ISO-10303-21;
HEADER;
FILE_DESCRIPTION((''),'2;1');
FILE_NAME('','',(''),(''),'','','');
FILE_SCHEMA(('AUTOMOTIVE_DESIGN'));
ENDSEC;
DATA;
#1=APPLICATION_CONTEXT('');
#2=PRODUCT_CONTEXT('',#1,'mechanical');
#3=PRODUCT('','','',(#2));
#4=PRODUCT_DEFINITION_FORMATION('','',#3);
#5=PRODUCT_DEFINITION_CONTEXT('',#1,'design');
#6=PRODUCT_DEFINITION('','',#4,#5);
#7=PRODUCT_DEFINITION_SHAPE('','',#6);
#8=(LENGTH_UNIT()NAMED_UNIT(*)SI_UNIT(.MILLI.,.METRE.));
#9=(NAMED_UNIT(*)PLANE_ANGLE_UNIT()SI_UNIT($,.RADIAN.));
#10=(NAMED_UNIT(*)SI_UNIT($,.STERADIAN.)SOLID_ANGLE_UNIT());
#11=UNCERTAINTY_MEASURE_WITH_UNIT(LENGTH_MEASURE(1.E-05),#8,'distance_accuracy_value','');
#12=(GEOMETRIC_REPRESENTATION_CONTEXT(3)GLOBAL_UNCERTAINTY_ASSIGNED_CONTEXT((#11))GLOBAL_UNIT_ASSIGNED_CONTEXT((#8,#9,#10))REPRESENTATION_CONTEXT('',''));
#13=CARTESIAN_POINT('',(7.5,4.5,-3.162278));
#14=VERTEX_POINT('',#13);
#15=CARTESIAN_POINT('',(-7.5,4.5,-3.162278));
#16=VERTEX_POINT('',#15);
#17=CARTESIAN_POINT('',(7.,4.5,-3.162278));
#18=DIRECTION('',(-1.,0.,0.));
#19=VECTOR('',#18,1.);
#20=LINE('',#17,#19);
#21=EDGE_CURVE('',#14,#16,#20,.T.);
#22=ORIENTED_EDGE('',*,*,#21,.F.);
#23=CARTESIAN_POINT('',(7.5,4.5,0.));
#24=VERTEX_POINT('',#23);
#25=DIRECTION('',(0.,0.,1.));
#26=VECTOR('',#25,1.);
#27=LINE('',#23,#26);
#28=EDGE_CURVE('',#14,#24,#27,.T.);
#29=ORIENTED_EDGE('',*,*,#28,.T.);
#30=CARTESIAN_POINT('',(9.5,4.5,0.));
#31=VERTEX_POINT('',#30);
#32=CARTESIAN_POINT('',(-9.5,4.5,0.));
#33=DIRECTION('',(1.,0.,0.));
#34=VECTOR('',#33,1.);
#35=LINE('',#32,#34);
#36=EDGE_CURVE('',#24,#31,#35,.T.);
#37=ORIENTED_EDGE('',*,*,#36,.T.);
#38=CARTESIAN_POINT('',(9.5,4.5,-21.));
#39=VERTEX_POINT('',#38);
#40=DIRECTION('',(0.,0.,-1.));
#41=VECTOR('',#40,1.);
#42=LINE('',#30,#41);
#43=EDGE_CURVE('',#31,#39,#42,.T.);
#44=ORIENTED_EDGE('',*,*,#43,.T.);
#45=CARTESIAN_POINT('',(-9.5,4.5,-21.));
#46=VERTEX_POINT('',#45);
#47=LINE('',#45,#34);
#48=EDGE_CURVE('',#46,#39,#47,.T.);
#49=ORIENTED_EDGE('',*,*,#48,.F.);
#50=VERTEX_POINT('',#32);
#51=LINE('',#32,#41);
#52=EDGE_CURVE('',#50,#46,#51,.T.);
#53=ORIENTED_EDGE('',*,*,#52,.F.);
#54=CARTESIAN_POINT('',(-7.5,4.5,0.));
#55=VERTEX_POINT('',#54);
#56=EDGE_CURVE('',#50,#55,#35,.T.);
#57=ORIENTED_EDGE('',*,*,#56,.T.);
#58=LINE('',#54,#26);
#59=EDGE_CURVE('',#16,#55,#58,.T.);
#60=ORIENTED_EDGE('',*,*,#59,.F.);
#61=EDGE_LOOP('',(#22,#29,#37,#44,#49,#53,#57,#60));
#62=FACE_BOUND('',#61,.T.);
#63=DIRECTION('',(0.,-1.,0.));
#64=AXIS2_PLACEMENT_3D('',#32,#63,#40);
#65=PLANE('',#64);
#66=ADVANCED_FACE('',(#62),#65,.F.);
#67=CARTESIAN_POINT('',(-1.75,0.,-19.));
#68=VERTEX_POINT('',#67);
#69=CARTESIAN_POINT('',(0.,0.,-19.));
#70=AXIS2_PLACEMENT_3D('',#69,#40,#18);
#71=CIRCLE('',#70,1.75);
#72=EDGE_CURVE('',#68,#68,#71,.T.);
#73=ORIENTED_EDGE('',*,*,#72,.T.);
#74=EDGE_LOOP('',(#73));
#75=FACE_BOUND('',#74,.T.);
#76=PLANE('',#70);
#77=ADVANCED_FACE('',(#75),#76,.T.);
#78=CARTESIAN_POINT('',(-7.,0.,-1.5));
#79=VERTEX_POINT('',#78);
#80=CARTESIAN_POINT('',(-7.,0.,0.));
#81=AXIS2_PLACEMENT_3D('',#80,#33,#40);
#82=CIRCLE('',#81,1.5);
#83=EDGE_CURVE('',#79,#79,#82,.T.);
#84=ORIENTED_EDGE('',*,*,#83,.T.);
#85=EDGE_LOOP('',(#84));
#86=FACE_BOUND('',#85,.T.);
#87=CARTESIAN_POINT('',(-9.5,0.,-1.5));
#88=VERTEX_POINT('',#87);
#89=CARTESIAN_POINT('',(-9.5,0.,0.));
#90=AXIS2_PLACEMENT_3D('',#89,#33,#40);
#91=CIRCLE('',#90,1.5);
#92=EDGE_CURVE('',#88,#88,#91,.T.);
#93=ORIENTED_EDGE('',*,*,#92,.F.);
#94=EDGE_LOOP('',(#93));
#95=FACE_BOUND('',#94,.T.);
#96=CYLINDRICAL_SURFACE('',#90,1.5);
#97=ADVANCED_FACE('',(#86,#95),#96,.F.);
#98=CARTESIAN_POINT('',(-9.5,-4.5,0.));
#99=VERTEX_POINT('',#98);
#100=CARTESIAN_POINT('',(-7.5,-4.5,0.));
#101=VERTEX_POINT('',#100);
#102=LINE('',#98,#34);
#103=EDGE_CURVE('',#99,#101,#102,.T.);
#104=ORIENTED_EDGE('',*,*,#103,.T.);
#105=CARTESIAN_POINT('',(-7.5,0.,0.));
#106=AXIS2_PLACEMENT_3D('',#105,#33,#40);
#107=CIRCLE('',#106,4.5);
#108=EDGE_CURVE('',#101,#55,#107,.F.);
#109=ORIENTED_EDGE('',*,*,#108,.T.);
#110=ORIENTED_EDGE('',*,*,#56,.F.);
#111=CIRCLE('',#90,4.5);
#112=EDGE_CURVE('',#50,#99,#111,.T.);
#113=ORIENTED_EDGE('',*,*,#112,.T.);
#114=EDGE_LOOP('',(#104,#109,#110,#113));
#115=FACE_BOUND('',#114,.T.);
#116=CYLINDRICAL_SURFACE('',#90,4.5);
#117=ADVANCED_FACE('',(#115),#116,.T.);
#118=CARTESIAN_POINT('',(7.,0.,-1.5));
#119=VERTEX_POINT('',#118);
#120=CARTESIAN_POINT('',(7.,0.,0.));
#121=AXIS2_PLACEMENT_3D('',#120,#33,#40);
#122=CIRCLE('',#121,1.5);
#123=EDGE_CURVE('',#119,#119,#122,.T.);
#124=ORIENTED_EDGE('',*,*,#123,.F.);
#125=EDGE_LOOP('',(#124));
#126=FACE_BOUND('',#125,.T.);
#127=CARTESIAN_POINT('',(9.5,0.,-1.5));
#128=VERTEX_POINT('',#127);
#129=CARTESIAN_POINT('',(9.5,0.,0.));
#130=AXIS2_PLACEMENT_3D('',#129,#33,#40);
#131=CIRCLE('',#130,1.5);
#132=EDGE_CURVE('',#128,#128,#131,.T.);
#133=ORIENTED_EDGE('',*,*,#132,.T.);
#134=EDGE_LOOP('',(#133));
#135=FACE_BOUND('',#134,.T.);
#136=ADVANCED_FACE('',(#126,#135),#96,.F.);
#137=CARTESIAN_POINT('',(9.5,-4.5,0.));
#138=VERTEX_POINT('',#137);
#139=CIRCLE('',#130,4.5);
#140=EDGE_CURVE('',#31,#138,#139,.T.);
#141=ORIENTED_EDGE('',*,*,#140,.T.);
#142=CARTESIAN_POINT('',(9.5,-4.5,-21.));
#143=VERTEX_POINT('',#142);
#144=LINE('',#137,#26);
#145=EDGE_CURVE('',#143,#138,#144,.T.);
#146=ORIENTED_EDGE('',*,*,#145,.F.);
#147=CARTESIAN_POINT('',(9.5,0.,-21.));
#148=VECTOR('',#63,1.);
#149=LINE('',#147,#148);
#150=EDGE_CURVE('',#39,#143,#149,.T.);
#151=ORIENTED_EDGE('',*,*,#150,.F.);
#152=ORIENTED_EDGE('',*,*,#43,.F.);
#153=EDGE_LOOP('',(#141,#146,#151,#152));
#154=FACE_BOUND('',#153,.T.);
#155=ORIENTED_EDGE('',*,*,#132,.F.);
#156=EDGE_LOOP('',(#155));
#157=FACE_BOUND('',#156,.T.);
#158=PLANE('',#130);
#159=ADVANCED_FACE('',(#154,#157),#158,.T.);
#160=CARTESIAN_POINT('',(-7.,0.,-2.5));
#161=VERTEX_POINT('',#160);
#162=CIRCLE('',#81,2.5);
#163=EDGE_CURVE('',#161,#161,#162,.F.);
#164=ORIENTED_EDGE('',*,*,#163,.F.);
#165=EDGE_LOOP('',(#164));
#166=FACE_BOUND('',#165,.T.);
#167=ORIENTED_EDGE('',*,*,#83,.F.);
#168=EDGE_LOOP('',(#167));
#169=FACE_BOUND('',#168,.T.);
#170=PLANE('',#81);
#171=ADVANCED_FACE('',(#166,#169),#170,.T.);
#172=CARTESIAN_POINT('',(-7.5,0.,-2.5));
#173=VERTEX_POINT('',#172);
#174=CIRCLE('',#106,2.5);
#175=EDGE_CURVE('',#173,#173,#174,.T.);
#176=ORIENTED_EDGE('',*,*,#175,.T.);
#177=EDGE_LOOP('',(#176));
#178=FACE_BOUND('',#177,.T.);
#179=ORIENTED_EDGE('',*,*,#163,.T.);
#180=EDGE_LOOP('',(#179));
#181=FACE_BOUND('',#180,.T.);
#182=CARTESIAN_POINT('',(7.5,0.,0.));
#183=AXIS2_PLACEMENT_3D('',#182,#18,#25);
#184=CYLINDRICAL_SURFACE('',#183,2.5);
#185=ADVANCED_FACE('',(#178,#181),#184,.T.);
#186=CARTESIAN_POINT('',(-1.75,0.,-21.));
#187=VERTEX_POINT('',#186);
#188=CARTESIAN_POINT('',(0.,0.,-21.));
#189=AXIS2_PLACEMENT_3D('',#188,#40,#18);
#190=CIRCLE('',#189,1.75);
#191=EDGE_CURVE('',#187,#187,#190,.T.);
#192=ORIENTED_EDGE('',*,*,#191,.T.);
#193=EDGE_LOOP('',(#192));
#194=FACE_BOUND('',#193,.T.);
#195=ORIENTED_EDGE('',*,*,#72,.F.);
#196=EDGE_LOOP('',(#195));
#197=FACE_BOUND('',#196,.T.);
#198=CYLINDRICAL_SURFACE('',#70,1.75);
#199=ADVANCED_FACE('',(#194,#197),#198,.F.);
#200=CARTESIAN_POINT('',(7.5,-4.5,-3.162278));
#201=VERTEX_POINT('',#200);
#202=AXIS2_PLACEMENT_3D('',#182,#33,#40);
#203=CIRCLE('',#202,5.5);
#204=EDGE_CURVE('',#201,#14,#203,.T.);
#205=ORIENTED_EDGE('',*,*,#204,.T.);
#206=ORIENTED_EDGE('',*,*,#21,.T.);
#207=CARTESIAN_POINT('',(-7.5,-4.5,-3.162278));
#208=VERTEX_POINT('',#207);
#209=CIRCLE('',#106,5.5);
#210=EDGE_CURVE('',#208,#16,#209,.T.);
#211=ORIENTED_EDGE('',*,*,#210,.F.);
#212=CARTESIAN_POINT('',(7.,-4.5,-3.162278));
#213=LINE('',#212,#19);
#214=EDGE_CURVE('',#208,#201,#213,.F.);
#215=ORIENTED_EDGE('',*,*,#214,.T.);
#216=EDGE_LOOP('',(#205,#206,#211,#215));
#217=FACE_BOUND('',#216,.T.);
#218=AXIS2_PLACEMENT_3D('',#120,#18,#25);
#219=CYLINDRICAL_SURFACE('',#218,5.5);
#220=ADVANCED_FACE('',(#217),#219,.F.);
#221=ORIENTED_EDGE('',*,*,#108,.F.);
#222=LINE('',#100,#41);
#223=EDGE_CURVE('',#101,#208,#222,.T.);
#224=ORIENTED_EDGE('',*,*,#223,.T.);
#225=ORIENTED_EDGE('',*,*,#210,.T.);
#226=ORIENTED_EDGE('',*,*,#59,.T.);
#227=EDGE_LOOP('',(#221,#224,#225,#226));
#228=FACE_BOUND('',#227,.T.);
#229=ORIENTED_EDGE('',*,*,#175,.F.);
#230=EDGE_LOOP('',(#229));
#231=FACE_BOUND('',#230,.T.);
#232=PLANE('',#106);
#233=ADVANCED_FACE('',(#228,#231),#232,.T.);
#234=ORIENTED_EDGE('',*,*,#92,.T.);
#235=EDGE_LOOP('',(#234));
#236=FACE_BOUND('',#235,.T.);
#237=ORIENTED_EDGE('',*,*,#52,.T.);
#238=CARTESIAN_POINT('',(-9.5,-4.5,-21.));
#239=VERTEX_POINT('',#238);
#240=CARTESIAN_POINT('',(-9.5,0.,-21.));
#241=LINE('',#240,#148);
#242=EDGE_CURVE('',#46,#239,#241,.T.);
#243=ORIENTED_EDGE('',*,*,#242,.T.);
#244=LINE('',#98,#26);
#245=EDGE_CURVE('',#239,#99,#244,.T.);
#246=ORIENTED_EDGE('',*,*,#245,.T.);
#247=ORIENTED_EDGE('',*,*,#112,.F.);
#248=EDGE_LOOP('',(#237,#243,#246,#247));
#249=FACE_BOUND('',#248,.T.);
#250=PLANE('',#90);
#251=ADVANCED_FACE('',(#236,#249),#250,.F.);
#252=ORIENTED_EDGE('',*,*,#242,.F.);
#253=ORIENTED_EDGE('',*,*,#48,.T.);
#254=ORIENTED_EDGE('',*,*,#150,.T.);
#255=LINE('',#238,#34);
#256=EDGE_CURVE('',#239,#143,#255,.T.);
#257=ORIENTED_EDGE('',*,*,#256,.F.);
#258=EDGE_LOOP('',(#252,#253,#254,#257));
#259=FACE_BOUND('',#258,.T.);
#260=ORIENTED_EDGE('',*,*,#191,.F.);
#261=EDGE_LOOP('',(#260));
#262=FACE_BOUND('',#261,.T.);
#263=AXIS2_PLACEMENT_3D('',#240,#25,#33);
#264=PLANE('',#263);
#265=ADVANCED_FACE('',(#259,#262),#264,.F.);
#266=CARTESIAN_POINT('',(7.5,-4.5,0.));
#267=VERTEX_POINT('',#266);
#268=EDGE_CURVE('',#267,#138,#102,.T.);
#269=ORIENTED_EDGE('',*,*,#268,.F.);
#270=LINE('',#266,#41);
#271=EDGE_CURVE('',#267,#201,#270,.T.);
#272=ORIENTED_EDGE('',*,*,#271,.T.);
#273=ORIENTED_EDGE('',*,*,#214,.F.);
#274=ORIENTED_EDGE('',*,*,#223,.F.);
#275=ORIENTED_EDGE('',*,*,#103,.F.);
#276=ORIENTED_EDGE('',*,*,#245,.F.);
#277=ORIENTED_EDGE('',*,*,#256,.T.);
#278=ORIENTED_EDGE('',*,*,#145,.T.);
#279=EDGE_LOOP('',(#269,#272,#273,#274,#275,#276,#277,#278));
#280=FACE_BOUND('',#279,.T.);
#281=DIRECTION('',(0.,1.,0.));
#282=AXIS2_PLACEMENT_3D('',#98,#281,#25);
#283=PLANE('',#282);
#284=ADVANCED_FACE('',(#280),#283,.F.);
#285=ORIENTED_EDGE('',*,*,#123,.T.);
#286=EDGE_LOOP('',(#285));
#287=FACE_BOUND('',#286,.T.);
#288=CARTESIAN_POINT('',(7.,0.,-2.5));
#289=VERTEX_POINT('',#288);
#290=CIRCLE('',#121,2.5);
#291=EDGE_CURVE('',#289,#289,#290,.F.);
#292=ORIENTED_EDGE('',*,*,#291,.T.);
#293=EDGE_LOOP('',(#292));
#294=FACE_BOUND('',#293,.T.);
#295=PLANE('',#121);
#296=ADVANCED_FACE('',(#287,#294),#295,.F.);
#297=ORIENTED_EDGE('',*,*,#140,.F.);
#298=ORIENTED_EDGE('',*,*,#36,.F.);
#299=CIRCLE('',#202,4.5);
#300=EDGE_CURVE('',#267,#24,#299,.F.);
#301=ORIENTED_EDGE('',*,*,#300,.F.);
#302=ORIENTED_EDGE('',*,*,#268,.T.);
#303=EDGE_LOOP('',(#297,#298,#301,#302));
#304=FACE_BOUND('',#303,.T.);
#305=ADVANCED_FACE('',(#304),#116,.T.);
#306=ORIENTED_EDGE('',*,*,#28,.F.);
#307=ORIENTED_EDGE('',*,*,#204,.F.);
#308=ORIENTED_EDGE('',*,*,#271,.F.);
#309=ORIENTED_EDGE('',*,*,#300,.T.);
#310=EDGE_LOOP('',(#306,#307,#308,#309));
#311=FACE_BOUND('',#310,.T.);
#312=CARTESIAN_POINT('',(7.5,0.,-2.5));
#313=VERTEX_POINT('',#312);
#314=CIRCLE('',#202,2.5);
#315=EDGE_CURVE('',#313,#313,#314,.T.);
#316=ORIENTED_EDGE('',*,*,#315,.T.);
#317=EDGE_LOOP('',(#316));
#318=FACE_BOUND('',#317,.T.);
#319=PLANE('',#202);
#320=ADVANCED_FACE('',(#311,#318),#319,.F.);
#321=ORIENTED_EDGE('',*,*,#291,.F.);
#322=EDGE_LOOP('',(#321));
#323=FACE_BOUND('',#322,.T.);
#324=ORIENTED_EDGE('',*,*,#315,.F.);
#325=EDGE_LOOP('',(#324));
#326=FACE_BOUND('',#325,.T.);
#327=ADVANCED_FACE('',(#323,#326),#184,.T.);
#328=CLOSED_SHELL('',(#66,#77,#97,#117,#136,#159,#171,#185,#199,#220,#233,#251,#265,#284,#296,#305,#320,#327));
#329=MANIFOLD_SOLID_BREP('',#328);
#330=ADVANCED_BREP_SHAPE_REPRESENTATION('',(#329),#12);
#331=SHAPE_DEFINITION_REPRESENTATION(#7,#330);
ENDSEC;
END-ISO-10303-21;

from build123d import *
from build123d.topology import SkipClean

# Parameters (mm, degrees)
EXTRUDE_1_DEPTH          = 9.5
EXTRUDE_1_DEPTH_BACK     = 9.5
CUT_EXTRUDE_1_DEPTH      = 7
CUT_EXTRUDE_1_DEPTH_BACK = 7
SKETCH_2_R               = 5.5
CUT_EXTRUDE_2_DEPTH      = 24.484037132
CUT_EXTRUDE_2_DEPTH_BACK = 24.484037132
SKETCH_3_R               = 1.5
CUT_EXTRUDE_3_DEPTH      = 7.5
CUT_EXTRUDE_3_DEPTH_BACK = 7.5
SKETCH_4_R               = 5.5
SKETCH_4_R_2             = 2.5
SKETCH_5_R               = 1.75
CUT_EXTRUDE_4_DEPTH      = 2


with BuildPart() as part:
    # Эскиз1 → Бобышка-Вытянуть1 (new, two sides: drawn at the far end of the back side and taken through both)
    with BuildSketch(Plane(origin=(0, 0, 0), x_dir=(0, 0, -1), z_dir=(1, 0, 0)).offset(-EXTRUDE_1_DEPTH_BACK)):
        with BuildLine():
            Line((21, 4.5), (0, 4.5))
            ThreePointArc((0, 4.5), (-4.5, 0), (0, -4.5))
            Line((0, -4.5), (21, -4.5))
            Line((21, -4.5), (21, 4.5))
        make_face()
    extrude(amount=EXTRUDE_1_DEPTH + EXTRUDE_1_DEPTH_BACK)

    # Эскиз2 → Вырез-Вытянуть1 (cut, two sides: drawn at the far end of the back side and taken through both)
    with BuildSketch(Plane(origin=(0, 0, 0), x_dir=(0, 0, -1), z_dir=(1, 0, 0)).offset(-CUT_EXTRUDE_1_DEPTH_BACK)):
        Circle(SKETCH_2_R)
    extrude(amount=CUT_EXTRUDE_1_DEPTH + CUT_EXTRUDE_1_DEPTH_BACK, mode=Mode.SUBTRACT)

    # Эскиз3 → Вырез-Вытянуть2 (cut, two sides: drawn at the far end of the back side and taken through both)
    with BuildSketch(Plane(origin=(0, 0, 0), x_dir=(0, 0, -1), z_dir=(1, 0, 0)).offset(-CUT_EXTRUDE_2_DEPTH_BACK)):
        Circle(SKETCH_3_R)
    extrude(amount=CUT_EXTRUDE_2_DEPTH + CUT_EXTRUDE_2_DEPTH_BACK, mode=Mode.SUBTRACT)

    # Эскиз4 → Вырез-Вытянуть3 (cut, two sides: drawn at the far end of the back side and taken through both)
    with SkipClean():  # the faces are left unmerged after this step: merging them gives an invalid solid
        with BuildSketch(Plane(origin=(0, 0, 0), x_dir=(0, 0, -1), z_dir=(1, 0, 0)).offset(-CUT_EXTRUDE_3_DEPTH_BACK)):
            Circle(SKETCH_4_R)
            Circle(SKETCH_4_R_2, mode=Mode.SUBTRACT)
        extrude(amount=CUT_EXTRUDE_3_DEPTH + CUT_EXTRUDE_3_DEPTH_BACK, mode=Mode.SUBTRACT)
    add(part.part.scale(1), mode=Mode.REPLACE)  # the faces are merged on a copy

    # Эскиз5 → Вырез-Вытянуть4 (cut)
    with BuildSketch(Plane(origin=(0, 0, -21), x_dir=(-1, 0, 0), z_dir=(0, 0, -1))):
        Circle(SKETCH_5_R)
    extrude(amount=-CUT_EXTRUDE_4_DEPTH, mode=Mode.SUBTRACT)


solid = part.part
